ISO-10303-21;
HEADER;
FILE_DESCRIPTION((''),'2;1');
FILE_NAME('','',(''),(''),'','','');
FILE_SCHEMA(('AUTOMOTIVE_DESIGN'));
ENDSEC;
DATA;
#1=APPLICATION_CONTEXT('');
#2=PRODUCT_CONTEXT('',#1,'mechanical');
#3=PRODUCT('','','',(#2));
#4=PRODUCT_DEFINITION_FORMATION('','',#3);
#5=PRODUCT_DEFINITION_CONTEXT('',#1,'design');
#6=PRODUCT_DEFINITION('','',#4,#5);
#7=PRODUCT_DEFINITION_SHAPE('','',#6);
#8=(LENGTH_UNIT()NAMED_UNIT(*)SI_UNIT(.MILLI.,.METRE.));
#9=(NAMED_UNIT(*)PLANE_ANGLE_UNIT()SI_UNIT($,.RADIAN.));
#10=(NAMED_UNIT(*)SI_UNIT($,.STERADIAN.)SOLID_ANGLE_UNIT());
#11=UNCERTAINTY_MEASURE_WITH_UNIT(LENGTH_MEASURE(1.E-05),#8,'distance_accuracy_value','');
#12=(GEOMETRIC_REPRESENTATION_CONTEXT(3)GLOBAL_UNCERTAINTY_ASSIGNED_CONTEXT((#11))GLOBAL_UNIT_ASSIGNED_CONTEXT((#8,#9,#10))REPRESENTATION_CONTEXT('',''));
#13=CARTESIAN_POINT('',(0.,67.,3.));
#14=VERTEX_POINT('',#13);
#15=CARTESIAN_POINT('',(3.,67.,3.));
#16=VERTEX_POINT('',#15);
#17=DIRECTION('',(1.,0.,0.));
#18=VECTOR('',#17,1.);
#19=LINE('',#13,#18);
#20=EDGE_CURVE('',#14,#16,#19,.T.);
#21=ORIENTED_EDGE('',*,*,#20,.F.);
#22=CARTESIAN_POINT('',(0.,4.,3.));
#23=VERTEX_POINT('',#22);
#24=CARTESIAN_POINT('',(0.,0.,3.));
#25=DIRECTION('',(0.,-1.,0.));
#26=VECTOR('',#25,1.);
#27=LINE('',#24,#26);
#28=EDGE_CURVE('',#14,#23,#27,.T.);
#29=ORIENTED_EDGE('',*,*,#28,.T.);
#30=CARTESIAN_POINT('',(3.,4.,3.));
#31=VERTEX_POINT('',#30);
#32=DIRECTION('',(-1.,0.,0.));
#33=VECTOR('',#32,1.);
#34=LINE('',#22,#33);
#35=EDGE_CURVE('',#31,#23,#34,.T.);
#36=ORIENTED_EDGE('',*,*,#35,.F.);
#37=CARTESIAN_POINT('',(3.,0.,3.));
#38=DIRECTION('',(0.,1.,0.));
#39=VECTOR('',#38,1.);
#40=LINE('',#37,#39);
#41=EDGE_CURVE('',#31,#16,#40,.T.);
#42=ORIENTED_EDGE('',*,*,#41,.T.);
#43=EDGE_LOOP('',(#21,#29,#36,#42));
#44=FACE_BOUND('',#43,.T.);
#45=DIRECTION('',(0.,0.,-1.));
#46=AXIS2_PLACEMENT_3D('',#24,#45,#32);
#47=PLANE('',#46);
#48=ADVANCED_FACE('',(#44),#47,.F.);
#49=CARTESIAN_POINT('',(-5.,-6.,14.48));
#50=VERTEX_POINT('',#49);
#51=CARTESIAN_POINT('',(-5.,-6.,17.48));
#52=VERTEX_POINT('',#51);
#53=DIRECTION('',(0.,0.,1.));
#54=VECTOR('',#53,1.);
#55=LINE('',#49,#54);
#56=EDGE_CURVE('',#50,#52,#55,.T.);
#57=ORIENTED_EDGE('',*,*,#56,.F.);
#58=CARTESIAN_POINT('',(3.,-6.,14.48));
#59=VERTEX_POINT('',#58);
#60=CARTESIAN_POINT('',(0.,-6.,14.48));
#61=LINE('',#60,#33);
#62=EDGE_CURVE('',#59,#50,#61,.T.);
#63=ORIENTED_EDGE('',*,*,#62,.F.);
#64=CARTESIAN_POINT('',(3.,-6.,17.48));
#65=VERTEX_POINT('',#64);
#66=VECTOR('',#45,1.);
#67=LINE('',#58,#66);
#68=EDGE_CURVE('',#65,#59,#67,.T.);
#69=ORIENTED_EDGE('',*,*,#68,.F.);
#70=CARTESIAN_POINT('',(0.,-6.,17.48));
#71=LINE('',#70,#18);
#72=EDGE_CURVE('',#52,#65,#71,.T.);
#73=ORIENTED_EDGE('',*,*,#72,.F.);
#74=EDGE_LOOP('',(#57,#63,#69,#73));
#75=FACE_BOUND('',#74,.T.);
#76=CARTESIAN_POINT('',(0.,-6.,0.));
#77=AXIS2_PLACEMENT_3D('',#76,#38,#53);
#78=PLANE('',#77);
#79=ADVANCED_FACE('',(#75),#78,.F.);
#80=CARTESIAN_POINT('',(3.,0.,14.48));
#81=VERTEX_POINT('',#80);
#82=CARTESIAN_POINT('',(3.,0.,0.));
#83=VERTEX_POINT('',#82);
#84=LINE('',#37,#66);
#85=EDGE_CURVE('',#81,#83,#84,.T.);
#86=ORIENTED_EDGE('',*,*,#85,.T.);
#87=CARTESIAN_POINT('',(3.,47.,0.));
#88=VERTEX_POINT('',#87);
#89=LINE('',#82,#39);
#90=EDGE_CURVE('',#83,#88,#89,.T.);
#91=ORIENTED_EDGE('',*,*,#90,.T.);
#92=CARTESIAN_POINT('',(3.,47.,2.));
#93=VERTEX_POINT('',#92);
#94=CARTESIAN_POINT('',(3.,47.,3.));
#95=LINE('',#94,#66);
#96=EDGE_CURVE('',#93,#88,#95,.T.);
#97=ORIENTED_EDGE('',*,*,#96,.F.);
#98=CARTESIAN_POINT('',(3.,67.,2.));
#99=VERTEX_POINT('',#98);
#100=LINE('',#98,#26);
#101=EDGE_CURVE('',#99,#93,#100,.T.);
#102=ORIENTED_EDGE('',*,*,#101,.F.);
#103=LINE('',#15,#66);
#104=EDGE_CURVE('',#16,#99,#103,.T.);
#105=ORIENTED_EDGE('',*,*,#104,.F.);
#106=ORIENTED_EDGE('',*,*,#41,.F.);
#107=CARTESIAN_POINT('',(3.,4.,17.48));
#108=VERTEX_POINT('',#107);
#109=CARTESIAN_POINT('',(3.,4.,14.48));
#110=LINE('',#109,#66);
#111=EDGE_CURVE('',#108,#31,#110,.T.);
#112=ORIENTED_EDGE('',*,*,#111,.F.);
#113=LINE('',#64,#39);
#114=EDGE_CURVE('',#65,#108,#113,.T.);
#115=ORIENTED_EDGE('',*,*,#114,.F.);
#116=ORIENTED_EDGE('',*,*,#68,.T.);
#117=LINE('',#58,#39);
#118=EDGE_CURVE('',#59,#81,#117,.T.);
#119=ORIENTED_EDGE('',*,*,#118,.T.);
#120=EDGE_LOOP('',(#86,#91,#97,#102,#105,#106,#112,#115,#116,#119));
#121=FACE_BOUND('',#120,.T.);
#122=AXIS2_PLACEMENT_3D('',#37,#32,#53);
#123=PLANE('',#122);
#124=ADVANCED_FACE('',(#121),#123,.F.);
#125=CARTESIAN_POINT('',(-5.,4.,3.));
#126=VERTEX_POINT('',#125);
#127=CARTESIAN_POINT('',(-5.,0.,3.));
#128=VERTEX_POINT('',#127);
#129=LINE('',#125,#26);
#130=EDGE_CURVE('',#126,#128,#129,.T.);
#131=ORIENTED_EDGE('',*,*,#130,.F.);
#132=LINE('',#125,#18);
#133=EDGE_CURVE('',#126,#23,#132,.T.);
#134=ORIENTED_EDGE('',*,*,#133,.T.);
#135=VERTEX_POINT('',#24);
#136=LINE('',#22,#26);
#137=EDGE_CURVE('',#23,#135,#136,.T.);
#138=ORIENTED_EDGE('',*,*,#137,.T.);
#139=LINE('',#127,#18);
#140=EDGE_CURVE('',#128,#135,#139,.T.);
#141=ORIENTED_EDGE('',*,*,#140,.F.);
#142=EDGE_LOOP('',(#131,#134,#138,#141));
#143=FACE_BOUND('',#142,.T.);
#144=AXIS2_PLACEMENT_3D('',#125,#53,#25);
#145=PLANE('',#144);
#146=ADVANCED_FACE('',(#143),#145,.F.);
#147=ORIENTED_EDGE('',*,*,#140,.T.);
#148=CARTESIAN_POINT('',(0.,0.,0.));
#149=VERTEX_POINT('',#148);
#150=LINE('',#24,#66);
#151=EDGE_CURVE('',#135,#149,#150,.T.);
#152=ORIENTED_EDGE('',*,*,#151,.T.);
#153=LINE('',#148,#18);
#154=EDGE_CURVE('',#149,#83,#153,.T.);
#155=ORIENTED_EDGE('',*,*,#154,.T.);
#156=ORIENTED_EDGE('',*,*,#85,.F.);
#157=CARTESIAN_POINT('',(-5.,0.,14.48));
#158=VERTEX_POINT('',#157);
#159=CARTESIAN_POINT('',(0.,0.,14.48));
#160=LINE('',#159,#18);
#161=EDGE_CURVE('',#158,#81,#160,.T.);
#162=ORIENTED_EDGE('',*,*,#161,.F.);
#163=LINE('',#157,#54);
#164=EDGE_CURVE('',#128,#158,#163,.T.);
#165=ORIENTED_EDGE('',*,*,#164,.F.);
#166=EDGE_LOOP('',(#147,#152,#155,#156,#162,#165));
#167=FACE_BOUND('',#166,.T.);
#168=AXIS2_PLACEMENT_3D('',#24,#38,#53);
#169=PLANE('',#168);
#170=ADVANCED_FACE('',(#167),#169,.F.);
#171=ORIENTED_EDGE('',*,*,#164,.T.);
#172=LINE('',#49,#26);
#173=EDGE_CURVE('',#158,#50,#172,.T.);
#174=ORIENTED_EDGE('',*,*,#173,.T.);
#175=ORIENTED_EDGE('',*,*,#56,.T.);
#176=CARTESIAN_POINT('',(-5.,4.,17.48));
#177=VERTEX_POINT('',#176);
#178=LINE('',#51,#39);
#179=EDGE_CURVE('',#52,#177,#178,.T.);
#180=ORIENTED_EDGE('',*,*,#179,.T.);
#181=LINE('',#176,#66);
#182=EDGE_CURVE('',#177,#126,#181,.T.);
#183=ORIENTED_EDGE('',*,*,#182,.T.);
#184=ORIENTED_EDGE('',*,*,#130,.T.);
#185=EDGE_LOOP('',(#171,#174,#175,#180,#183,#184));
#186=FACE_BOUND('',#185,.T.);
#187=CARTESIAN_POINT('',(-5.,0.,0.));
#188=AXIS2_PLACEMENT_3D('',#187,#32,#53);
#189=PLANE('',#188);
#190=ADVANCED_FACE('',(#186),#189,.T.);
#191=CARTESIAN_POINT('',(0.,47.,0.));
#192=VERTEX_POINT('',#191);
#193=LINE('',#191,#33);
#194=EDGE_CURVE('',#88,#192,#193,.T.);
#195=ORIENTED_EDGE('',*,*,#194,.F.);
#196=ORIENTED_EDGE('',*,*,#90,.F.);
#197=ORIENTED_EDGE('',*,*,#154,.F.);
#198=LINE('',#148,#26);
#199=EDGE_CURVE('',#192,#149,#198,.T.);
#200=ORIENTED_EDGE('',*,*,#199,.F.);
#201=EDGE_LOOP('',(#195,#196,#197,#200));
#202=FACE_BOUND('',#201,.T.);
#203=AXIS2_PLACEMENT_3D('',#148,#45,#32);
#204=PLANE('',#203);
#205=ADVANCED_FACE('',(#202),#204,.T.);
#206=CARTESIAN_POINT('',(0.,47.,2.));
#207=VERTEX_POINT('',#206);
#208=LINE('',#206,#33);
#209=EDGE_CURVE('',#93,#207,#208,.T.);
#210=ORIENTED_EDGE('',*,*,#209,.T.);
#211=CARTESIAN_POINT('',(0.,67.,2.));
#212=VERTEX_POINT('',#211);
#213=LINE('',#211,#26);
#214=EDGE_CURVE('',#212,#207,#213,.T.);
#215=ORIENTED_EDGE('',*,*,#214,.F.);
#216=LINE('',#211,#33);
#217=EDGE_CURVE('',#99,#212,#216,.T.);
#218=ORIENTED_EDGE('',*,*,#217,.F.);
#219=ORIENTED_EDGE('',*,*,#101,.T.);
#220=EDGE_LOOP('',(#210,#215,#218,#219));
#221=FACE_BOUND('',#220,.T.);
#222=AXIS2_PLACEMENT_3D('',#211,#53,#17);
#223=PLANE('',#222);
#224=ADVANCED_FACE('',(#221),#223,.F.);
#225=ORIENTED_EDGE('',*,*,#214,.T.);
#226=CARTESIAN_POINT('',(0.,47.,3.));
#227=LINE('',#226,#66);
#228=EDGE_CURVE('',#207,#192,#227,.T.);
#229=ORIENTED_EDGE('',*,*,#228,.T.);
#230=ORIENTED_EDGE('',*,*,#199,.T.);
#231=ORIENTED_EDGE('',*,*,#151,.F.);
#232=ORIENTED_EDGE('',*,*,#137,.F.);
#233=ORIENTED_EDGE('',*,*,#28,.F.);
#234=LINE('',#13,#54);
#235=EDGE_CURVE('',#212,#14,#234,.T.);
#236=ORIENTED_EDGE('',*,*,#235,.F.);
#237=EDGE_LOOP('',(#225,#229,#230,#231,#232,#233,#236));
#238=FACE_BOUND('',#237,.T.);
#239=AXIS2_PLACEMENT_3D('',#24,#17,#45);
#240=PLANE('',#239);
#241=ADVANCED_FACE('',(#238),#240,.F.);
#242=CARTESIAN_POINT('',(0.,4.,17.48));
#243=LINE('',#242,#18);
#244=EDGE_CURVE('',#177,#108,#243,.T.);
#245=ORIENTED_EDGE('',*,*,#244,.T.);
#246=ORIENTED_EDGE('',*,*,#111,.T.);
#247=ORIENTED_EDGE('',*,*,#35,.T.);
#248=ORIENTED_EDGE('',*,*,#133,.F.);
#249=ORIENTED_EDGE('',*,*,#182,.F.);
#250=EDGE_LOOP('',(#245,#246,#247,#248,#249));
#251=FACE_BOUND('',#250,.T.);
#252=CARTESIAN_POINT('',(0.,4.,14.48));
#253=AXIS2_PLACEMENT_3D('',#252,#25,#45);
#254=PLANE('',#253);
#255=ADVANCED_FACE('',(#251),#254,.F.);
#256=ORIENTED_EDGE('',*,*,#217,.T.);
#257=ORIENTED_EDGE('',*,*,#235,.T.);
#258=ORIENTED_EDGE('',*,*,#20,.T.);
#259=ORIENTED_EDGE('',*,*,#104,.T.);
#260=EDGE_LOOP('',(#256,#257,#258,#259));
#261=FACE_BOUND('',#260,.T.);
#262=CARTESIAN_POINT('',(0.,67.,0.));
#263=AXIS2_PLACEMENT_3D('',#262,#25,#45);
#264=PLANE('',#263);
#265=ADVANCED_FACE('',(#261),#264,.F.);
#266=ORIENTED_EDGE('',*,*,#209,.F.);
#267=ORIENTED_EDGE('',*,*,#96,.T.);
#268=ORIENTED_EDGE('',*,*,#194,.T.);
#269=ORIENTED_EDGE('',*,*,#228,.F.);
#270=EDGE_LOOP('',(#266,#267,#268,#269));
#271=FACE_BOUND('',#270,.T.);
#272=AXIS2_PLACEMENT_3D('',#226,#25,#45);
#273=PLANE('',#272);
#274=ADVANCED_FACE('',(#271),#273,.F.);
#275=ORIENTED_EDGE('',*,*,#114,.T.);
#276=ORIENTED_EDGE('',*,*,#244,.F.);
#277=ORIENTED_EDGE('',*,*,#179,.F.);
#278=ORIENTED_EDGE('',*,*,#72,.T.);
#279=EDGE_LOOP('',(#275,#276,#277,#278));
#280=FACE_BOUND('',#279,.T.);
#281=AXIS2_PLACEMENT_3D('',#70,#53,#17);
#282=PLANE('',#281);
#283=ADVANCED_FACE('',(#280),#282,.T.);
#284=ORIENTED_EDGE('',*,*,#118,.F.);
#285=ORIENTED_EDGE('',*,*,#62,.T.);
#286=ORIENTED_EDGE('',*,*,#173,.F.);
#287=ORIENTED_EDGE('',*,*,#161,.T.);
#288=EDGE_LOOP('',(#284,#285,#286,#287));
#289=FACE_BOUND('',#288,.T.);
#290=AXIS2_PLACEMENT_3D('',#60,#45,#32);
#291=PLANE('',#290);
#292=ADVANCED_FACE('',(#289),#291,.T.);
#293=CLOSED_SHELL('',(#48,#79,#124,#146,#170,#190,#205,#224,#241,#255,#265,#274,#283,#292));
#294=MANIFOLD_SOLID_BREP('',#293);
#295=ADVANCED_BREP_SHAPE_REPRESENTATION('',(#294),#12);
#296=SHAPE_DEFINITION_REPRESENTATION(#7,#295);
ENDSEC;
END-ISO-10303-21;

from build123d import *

# Parameters (mm, degrees)
CROQUIS1_W              = 3
CROQUIS1_H              = 47
SALIENTE_EXTRUIR1_DEPTH = 3
CROQUIS2_W              = 3
CROQUIS2_H              = 1
SALIENTE_EXTRUIR2_DEPTH = 20
CROQUIS3_W              = 3
CROQUIS3_H              = 4
SALIENTE_EXTRUIR3_DEPTH = 11.48
CROQUIS4_W              = 3
CROQUIS4_H              = 3
SALIENTE_EXTRUIR4_DEPTH = 10
SALIENTE_EXTRUIR5_DEPTH = 5


with BuildPart() as part:
    # Croquis1 → Saliente-Extruir1 (new body)
    with BuildSketch(Plane.XY):
        with Locations((1.5, 23.5)):
            Rectangle(CROQUIS1_W, CROQUIS1_H)
    extrude(amount=SALIENTE_EXTRUIR1_DEPTH)

    # Croquis2 → Saliente-Extruir2 (add)
    with BuildSketch(Plane(origin=(0, 47, 0), x_dir=(1, 0, 0), z_dir=(0, 1, 0))):
        with Locations((1.5, -2.5)):
            Rectangle(CROQUIS2_W, CROQUIS2_H)
    extrude(amount=SALIENTE_EXTRUIR2_DEPTH)

    # Croquis3 → Saliente-Extruir3 (add)
    with BuildSketch(Plane.XY.offset(3)):
        with Locations((1.5, 2)):
            Rectangle(CROQUIS3_W, CROQUIS3_H)
    extrude(amount=SALIENTE_EXTRUIR3_DEPTH)

    # Croquis4 → Saliente-Extruir4 (add)
    with BuildSketch(Plane(origin=(0, 4, 0), x_dir=(1, 0, 0), z_dir=(0, 1, 0))):
        with Locations((1.5, -15.98)):
            Rectangle(CROQUIS4_W, CROQUIS4_H)
    extrude(amount=-SALIENTE_EXTRUIR4_DEPTH)

    # Croquis5 → Saliente-Extruir5 (add)
    with BuildSketch(Plane.ZY):
        Polygon((14.48, 0), (3, 0), (3, 4), (17.48, 4), (17.48, -6), (14.48, -6), align=None)
    extrude(amount=SALIENTE_EXTRUIR5_DEPTH)


solid = part.part
